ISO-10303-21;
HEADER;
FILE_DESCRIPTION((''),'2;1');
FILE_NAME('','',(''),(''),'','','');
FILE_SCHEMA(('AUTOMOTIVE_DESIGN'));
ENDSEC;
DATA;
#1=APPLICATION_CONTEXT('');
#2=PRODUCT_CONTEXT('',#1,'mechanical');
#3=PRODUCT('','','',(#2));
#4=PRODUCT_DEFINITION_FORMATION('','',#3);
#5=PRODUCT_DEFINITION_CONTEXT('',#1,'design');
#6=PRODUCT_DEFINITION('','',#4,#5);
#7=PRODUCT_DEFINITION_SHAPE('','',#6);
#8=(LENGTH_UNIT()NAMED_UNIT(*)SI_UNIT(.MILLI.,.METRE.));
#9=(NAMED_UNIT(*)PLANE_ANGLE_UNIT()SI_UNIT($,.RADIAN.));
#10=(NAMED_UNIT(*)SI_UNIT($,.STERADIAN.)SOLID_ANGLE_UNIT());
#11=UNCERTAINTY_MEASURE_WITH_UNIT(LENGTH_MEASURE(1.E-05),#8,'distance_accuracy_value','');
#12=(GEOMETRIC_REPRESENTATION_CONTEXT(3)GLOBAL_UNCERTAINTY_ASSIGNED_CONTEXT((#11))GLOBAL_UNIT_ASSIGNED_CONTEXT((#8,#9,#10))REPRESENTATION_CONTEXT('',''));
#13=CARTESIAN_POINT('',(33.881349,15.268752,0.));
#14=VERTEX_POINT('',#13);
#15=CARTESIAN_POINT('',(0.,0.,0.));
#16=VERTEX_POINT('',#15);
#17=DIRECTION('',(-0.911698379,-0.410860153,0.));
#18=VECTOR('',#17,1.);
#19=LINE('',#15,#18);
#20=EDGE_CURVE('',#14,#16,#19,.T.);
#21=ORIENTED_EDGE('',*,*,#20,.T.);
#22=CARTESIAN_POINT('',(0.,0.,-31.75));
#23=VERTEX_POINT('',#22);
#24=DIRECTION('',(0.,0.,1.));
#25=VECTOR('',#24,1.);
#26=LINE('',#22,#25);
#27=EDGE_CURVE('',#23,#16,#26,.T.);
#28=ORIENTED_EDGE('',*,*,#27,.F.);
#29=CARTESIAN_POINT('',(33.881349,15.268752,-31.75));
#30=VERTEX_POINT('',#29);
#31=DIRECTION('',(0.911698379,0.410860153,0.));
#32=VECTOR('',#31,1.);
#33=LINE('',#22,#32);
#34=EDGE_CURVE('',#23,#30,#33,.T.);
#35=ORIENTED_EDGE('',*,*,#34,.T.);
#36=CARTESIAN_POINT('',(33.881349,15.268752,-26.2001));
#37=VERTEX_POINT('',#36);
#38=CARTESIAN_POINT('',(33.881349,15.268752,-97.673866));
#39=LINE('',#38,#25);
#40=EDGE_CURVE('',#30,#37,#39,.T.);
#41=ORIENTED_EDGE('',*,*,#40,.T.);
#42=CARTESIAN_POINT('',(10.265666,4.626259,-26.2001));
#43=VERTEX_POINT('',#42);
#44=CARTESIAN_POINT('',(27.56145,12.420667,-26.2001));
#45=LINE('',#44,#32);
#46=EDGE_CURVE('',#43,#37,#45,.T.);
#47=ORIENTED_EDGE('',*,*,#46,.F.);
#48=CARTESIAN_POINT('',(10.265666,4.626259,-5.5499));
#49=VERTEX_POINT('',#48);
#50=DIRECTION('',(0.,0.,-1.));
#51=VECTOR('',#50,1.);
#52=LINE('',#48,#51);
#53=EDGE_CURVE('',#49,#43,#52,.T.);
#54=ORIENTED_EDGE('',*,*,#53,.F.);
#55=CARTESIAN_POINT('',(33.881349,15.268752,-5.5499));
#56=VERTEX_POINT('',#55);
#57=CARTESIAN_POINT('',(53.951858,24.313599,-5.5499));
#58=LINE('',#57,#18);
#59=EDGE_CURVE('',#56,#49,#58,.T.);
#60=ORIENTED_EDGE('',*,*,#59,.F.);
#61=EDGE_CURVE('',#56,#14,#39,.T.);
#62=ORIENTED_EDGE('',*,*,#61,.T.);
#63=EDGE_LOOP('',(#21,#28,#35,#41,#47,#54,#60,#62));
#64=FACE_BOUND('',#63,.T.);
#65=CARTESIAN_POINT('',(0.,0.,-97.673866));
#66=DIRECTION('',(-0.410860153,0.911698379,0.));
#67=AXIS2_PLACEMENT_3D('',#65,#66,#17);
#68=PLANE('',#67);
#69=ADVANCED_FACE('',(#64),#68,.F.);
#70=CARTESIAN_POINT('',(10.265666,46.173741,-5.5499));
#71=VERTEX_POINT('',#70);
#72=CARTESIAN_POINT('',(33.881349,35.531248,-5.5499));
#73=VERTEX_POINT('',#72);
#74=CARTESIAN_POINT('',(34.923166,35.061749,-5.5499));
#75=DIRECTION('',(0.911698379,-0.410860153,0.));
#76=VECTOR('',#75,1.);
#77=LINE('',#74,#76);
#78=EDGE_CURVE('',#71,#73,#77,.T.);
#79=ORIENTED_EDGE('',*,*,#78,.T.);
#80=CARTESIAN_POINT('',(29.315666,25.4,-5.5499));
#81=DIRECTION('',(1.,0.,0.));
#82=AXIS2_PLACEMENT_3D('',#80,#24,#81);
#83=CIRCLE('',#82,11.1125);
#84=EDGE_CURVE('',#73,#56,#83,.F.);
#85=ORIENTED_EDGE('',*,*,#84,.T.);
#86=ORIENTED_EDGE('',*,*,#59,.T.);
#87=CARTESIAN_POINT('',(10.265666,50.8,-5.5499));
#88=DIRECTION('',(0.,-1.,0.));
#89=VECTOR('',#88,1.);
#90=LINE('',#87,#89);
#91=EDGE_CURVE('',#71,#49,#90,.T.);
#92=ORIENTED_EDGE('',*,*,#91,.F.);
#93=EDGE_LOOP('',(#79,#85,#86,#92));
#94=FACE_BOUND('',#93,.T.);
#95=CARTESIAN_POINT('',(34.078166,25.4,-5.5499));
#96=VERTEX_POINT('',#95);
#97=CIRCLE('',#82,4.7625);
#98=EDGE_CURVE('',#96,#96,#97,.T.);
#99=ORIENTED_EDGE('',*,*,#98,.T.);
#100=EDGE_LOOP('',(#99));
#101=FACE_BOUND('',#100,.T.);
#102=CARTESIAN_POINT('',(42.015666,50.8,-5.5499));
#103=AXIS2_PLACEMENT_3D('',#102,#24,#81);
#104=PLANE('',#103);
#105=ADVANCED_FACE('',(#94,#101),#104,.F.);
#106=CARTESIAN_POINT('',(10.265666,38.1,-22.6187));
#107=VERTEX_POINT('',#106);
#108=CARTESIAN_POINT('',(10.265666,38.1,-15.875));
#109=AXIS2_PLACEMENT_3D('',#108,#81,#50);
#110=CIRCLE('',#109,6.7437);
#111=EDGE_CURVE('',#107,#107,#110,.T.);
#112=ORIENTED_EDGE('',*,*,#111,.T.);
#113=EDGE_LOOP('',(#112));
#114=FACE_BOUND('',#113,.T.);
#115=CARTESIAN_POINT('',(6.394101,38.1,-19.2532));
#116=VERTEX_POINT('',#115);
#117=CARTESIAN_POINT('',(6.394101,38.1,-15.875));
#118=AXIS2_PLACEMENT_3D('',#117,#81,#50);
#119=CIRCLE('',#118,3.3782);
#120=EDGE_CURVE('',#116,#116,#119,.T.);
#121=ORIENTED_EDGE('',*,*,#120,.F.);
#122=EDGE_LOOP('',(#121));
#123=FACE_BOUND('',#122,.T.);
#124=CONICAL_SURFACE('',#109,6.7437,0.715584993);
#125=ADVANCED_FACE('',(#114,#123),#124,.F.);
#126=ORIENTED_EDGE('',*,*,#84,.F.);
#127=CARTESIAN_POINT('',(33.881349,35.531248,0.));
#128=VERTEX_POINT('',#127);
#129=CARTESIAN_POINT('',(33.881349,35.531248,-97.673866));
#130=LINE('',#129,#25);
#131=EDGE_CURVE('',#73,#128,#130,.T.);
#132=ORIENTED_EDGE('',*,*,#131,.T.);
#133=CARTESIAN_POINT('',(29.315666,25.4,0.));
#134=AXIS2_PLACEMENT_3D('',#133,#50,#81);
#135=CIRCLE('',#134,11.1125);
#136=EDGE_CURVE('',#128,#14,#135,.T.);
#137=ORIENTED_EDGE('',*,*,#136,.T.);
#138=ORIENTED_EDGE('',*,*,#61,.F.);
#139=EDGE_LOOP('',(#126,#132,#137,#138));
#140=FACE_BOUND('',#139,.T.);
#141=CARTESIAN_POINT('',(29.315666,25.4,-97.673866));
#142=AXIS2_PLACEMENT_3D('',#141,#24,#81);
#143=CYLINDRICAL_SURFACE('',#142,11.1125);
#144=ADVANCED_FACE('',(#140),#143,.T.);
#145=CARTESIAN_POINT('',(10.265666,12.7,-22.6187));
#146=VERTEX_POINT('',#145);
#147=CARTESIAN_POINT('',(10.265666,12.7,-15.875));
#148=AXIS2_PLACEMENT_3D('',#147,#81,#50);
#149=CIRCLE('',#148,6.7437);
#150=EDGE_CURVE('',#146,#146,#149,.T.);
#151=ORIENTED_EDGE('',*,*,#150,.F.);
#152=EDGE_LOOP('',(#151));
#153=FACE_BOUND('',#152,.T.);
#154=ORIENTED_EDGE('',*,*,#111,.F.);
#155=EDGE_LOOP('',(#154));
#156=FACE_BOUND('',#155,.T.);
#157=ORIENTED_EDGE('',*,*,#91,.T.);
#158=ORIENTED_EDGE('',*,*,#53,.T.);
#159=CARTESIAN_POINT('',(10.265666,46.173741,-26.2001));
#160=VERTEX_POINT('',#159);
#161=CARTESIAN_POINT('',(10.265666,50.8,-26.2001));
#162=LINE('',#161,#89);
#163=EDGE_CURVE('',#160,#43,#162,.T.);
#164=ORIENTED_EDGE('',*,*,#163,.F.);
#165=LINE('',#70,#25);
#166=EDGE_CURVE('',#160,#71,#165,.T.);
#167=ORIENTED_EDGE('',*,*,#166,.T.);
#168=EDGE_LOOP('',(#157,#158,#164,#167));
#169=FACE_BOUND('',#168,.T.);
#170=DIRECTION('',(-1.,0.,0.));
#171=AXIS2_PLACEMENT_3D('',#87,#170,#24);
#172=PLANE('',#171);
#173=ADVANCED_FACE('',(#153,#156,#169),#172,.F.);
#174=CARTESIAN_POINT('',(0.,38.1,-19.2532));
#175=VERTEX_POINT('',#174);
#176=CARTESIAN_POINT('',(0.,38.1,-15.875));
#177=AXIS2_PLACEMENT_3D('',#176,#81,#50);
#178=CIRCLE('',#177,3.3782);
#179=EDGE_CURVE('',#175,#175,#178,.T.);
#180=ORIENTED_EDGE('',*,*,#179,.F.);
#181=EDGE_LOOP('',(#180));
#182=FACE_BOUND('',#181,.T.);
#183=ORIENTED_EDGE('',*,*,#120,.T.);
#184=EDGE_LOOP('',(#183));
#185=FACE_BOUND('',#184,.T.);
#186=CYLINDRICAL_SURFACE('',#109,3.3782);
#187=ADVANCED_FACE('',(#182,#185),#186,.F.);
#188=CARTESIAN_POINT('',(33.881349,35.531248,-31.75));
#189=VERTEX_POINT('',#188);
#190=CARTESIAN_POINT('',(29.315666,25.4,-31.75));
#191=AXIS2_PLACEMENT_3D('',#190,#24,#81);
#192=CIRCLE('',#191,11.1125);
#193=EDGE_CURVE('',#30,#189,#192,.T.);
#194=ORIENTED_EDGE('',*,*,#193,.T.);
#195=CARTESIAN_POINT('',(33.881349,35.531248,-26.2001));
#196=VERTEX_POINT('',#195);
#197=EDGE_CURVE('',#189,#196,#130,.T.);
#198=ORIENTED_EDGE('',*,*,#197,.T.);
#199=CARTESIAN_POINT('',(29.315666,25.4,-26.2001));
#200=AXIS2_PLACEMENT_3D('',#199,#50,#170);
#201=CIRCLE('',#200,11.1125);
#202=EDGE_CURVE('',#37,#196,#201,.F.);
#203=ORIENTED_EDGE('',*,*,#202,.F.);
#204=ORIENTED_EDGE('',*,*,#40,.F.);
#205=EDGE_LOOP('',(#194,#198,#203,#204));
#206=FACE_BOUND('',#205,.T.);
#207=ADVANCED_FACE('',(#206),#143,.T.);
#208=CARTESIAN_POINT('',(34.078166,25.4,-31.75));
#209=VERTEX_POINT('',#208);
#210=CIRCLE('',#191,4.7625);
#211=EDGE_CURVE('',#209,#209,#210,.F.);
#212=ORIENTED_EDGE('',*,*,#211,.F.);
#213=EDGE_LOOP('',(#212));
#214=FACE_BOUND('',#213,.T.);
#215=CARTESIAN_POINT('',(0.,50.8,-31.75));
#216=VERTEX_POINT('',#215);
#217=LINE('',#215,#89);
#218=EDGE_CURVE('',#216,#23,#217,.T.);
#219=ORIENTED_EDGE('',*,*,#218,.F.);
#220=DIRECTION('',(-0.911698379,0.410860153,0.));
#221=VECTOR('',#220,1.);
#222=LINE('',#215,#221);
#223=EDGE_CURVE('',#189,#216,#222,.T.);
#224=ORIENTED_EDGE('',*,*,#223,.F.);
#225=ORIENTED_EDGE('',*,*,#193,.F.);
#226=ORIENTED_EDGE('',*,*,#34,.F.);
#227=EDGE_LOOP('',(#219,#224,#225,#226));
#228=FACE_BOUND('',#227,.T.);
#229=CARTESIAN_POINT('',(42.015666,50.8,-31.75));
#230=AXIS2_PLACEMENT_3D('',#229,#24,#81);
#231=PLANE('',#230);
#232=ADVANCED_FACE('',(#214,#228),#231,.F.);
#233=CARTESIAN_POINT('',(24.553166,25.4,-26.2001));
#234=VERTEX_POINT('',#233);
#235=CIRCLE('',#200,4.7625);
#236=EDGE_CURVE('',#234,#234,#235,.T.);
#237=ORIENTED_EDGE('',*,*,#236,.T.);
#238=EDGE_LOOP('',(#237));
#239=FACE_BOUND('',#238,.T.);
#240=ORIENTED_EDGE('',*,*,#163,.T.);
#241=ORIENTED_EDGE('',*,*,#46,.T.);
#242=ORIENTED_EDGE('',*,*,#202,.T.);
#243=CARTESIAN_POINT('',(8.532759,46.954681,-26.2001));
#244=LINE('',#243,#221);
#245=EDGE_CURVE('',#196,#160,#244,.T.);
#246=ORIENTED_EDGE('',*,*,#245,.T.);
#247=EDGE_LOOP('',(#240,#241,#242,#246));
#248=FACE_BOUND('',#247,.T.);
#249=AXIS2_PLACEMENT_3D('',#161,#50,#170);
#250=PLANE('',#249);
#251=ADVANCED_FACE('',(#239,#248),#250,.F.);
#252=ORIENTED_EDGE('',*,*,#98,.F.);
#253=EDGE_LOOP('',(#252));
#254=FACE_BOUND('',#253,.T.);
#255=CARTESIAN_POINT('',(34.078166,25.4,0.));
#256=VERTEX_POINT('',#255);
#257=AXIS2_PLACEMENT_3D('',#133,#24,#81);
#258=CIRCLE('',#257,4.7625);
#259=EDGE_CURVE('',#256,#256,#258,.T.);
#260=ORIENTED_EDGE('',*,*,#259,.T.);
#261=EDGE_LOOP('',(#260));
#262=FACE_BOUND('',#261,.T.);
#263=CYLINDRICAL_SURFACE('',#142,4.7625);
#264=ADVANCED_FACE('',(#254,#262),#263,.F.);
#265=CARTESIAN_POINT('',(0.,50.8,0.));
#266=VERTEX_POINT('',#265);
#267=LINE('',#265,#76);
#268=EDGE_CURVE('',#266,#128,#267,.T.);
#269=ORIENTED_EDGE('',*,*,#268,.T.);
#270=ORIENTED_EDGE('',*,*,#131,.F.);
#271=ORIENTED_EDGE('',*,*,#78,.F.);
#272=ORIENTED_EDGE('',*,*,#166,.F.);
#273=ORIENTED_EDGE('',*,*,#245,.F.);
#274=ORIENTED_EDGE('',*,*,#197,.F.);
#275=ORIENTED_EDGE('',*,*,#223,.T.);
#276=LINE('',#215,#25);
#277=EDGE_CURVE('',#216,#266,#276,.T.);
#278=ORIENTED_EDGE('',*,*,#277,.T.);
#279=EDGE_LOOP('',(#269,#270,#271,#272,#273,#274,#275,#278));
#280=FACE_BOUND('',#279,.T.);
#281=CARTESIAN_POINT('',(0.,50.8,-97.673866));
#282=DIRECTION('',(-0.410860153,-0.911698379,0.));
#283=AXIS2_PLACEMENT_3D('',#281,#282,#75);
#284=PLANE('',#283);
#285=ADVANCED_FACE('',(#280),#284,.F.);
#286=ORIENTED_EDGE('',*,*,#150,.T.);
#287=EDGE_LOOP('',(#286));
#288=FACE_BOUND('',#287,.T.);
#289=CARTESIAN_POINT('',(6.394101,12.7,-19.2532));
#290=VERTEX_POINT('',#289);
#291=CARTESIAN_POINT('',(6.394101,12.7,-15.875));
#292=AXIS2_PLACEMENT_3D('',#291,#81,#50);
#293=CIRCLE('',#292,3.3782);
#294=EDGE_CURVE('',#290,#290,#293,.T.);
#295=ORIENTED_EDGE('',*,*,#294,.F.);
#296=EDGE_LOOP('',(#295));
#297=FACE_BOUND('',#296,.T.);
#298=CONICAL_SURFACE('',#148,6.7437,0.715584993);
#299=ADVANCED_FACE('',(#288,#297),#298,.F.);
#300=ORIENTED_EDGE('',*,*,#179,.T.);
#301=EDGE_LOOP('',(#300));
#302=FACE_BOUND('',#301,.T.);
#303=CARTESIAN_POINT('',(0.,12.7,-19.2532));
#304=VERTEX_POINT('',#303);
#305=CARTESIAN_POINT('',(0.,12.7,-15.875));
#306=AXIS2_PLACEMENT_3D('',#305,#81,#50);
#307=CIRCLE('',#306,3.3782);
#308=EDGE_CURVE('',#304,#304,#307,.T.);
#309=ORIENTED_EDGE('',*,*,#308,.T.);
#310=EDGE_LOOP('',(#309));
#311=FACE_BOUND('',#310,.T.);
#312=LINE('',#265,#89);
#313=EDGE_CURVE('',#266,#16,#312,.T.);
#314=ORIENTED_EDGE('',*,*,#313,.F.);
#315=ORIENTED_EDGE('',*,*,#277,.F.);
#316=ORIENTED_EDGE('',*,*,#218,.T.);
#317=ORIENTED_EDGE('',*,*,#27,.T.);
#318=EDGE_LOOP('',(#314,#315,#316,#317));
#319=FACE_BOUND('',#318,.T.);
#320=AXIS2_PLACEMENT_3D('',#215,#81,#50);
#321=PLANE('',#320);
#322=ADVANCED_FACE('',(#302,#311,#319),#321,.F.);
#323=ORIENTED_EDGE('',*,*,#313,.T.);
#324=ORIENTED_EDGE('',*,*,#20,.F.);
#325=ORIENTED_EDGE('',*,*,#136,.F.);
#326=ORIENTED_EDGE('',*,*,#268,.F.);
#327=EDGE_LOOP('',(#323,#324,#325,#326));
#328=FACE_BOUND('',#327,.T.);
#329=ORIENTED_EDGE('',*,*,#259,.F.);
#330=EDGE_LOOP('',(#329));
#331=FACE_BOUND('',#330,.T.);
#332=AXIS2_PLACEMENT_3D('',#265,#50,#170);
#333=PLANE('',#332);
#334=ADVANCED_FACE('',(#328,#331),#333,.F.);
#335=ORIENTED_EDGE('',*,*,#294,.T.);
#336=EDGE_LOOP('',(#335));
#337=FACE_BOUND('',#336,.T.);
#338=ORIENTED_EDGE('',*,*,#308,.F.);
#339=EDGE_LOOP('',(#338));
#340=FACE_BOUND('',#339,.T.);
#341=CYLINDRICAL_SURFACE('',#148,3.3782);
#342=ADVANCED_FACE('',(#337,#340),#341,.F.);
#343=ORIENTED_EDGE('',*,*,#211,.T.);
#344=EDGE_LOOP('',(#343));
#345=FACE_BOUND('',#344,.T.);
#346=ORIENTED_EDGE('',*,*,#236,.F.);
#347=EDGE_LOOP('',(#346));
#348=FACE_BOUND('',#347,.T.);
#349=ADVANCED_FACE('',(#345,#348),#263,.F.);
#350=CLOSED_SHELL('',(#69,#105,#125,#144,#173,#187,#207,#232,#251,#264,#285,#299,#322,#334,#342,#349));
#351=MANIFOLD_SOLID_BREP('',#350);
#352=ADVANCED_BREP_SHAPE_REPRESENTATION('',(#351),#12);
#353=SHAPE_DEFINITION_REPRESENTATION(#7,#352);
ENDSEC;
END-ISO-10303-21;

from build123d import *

# Parameters (mm, degrees)
CAMBER_BLOCK_EXTRUDE_DEPTH                          = 50.8
CSK_FOR_1_4_FLAT_HEAD_MACHINE_SCREW_100_D           = 6.7564
CSK_FOR_1_4_FLAT_HEAD_MACHINE_SCREW_100_CSINK_D     = 13.4874
CSK_FOR_1_4_FLAT_HEAD_MACHINE_SCREW_100_CSINK_ANGLE = 82
CUT_EXTRUDE1_REACH                                  = 75.171
SKETCH5_R                                           = 4.7625


with BuildPart() as part:
    # Sketch1 → Camber Block Extrude (new body)
    with BuildSketch(Plane(origin=(0, 0, 0), x_dir=(1, 0, 0), z_dir=(0, 1, 0))):
        Polygon((0, 0), (42.015665571, 0), (42.015665571, 5.5499), (10.265665571, 5.5499), (10.265665571, 26.2001), (42.015665571, 26.2001), (42.015665571, 31.75), (0, 31.75), align=None)
    extrude(amount=CAMBER_BLOCK_EXTRUDE_DEPTH)

    # CSK for 1/4 Flat Head Machine Screw (100)1 (through all)
    with Locations(Plane(origin=(10.265665571, 0, 0), x_dir=(0, 0, -1), z_dir=(1, 0, 0))):
        with Locations((15.875, 12.7), (15.875, 38.1)):
            CounterSinkHole(CSK_FOR_1_4_FLAT_HEAD_MACHINE_SCREW_100_D / 2, CSK_FOR_1_4_FLAT_HEAD_MACHINE_SCREW_100_CSINK_D / 2, counter_sink_angle=CSK_FOR_1_4_FLAT_HEAD_MACHINE_SCREW_100_CSINK_ANGLE)

    # Cut-Extrude1: up to this face of the body (flat: up to its plane)
    cut_extrude1_end = Plane(part.part.faces().sort_by_distance((21.007832786, 25.4, -31.75))[0])
    # Sketch5 → Cut-Extrude1 (cut, up to the picked face)
    with BuildSketch(Plane.XY, mode=Mode.PRIVATE) as cut_extrude1_sk1:
        with Locations((29.315665571, 25.4)):
            Circle(SKETCH5_R)
    cut_extrude1_tool1 = split(extrude(cut_extrude1_sk1.sketch, amount=-CUT_EXTRUDE1_REACH, mode=Mode.PRIVATE), bisect_by=cut_extrude1_end, keep=Keep.BOTH, mode=Mode.PRIVATE)
    # Sketch5 → Cut-Extrude1 (cut, up to the picked face)
    with BuildSketch(Plane.XY, mode=Mode.PRIVATE) as cut_extrude1_sk2:
        with BuildLine():
            Line((0, 0), (33.881349019, 15.26875176))
            ThreePointArc((33.881349019, 15.26875176), (40.428165571, 25.4), (33.881349019, 35.53124824))
            Line((33.881349019, 35.53124824), (0, 50.8))
            Line((0, 50.8), (42.015665571, 50.8))
            Line((42.015665571, 50.8), (42.015665571, 0))
            Line((42.015665571, 0), (0, 0))
        make_face()
    cut_extrude1_tool2 = split(extrude(cut_extrude1_sk2.sketch, amount=-CUT_EXTRUDE1_REACH, mode=Mode.PRIVATE), bisect_by=cut_extrude1_end, keep=Keep.BOTH, mode=Mode.PRIVATE)
    add(cut_extrude1_tool1.solids().sort_by(Axis((29.315666, 25.4, 0), (0, 0, -1)))[0], mode=Mode.SUBTRACT)
    add(cut_extrude1_tool2.solids().sort_by(Axis((17.211529, 7.033349, 0), (0, 0, -1)))[0], mode=Mode.SUBTRACT)


solid = part.part
